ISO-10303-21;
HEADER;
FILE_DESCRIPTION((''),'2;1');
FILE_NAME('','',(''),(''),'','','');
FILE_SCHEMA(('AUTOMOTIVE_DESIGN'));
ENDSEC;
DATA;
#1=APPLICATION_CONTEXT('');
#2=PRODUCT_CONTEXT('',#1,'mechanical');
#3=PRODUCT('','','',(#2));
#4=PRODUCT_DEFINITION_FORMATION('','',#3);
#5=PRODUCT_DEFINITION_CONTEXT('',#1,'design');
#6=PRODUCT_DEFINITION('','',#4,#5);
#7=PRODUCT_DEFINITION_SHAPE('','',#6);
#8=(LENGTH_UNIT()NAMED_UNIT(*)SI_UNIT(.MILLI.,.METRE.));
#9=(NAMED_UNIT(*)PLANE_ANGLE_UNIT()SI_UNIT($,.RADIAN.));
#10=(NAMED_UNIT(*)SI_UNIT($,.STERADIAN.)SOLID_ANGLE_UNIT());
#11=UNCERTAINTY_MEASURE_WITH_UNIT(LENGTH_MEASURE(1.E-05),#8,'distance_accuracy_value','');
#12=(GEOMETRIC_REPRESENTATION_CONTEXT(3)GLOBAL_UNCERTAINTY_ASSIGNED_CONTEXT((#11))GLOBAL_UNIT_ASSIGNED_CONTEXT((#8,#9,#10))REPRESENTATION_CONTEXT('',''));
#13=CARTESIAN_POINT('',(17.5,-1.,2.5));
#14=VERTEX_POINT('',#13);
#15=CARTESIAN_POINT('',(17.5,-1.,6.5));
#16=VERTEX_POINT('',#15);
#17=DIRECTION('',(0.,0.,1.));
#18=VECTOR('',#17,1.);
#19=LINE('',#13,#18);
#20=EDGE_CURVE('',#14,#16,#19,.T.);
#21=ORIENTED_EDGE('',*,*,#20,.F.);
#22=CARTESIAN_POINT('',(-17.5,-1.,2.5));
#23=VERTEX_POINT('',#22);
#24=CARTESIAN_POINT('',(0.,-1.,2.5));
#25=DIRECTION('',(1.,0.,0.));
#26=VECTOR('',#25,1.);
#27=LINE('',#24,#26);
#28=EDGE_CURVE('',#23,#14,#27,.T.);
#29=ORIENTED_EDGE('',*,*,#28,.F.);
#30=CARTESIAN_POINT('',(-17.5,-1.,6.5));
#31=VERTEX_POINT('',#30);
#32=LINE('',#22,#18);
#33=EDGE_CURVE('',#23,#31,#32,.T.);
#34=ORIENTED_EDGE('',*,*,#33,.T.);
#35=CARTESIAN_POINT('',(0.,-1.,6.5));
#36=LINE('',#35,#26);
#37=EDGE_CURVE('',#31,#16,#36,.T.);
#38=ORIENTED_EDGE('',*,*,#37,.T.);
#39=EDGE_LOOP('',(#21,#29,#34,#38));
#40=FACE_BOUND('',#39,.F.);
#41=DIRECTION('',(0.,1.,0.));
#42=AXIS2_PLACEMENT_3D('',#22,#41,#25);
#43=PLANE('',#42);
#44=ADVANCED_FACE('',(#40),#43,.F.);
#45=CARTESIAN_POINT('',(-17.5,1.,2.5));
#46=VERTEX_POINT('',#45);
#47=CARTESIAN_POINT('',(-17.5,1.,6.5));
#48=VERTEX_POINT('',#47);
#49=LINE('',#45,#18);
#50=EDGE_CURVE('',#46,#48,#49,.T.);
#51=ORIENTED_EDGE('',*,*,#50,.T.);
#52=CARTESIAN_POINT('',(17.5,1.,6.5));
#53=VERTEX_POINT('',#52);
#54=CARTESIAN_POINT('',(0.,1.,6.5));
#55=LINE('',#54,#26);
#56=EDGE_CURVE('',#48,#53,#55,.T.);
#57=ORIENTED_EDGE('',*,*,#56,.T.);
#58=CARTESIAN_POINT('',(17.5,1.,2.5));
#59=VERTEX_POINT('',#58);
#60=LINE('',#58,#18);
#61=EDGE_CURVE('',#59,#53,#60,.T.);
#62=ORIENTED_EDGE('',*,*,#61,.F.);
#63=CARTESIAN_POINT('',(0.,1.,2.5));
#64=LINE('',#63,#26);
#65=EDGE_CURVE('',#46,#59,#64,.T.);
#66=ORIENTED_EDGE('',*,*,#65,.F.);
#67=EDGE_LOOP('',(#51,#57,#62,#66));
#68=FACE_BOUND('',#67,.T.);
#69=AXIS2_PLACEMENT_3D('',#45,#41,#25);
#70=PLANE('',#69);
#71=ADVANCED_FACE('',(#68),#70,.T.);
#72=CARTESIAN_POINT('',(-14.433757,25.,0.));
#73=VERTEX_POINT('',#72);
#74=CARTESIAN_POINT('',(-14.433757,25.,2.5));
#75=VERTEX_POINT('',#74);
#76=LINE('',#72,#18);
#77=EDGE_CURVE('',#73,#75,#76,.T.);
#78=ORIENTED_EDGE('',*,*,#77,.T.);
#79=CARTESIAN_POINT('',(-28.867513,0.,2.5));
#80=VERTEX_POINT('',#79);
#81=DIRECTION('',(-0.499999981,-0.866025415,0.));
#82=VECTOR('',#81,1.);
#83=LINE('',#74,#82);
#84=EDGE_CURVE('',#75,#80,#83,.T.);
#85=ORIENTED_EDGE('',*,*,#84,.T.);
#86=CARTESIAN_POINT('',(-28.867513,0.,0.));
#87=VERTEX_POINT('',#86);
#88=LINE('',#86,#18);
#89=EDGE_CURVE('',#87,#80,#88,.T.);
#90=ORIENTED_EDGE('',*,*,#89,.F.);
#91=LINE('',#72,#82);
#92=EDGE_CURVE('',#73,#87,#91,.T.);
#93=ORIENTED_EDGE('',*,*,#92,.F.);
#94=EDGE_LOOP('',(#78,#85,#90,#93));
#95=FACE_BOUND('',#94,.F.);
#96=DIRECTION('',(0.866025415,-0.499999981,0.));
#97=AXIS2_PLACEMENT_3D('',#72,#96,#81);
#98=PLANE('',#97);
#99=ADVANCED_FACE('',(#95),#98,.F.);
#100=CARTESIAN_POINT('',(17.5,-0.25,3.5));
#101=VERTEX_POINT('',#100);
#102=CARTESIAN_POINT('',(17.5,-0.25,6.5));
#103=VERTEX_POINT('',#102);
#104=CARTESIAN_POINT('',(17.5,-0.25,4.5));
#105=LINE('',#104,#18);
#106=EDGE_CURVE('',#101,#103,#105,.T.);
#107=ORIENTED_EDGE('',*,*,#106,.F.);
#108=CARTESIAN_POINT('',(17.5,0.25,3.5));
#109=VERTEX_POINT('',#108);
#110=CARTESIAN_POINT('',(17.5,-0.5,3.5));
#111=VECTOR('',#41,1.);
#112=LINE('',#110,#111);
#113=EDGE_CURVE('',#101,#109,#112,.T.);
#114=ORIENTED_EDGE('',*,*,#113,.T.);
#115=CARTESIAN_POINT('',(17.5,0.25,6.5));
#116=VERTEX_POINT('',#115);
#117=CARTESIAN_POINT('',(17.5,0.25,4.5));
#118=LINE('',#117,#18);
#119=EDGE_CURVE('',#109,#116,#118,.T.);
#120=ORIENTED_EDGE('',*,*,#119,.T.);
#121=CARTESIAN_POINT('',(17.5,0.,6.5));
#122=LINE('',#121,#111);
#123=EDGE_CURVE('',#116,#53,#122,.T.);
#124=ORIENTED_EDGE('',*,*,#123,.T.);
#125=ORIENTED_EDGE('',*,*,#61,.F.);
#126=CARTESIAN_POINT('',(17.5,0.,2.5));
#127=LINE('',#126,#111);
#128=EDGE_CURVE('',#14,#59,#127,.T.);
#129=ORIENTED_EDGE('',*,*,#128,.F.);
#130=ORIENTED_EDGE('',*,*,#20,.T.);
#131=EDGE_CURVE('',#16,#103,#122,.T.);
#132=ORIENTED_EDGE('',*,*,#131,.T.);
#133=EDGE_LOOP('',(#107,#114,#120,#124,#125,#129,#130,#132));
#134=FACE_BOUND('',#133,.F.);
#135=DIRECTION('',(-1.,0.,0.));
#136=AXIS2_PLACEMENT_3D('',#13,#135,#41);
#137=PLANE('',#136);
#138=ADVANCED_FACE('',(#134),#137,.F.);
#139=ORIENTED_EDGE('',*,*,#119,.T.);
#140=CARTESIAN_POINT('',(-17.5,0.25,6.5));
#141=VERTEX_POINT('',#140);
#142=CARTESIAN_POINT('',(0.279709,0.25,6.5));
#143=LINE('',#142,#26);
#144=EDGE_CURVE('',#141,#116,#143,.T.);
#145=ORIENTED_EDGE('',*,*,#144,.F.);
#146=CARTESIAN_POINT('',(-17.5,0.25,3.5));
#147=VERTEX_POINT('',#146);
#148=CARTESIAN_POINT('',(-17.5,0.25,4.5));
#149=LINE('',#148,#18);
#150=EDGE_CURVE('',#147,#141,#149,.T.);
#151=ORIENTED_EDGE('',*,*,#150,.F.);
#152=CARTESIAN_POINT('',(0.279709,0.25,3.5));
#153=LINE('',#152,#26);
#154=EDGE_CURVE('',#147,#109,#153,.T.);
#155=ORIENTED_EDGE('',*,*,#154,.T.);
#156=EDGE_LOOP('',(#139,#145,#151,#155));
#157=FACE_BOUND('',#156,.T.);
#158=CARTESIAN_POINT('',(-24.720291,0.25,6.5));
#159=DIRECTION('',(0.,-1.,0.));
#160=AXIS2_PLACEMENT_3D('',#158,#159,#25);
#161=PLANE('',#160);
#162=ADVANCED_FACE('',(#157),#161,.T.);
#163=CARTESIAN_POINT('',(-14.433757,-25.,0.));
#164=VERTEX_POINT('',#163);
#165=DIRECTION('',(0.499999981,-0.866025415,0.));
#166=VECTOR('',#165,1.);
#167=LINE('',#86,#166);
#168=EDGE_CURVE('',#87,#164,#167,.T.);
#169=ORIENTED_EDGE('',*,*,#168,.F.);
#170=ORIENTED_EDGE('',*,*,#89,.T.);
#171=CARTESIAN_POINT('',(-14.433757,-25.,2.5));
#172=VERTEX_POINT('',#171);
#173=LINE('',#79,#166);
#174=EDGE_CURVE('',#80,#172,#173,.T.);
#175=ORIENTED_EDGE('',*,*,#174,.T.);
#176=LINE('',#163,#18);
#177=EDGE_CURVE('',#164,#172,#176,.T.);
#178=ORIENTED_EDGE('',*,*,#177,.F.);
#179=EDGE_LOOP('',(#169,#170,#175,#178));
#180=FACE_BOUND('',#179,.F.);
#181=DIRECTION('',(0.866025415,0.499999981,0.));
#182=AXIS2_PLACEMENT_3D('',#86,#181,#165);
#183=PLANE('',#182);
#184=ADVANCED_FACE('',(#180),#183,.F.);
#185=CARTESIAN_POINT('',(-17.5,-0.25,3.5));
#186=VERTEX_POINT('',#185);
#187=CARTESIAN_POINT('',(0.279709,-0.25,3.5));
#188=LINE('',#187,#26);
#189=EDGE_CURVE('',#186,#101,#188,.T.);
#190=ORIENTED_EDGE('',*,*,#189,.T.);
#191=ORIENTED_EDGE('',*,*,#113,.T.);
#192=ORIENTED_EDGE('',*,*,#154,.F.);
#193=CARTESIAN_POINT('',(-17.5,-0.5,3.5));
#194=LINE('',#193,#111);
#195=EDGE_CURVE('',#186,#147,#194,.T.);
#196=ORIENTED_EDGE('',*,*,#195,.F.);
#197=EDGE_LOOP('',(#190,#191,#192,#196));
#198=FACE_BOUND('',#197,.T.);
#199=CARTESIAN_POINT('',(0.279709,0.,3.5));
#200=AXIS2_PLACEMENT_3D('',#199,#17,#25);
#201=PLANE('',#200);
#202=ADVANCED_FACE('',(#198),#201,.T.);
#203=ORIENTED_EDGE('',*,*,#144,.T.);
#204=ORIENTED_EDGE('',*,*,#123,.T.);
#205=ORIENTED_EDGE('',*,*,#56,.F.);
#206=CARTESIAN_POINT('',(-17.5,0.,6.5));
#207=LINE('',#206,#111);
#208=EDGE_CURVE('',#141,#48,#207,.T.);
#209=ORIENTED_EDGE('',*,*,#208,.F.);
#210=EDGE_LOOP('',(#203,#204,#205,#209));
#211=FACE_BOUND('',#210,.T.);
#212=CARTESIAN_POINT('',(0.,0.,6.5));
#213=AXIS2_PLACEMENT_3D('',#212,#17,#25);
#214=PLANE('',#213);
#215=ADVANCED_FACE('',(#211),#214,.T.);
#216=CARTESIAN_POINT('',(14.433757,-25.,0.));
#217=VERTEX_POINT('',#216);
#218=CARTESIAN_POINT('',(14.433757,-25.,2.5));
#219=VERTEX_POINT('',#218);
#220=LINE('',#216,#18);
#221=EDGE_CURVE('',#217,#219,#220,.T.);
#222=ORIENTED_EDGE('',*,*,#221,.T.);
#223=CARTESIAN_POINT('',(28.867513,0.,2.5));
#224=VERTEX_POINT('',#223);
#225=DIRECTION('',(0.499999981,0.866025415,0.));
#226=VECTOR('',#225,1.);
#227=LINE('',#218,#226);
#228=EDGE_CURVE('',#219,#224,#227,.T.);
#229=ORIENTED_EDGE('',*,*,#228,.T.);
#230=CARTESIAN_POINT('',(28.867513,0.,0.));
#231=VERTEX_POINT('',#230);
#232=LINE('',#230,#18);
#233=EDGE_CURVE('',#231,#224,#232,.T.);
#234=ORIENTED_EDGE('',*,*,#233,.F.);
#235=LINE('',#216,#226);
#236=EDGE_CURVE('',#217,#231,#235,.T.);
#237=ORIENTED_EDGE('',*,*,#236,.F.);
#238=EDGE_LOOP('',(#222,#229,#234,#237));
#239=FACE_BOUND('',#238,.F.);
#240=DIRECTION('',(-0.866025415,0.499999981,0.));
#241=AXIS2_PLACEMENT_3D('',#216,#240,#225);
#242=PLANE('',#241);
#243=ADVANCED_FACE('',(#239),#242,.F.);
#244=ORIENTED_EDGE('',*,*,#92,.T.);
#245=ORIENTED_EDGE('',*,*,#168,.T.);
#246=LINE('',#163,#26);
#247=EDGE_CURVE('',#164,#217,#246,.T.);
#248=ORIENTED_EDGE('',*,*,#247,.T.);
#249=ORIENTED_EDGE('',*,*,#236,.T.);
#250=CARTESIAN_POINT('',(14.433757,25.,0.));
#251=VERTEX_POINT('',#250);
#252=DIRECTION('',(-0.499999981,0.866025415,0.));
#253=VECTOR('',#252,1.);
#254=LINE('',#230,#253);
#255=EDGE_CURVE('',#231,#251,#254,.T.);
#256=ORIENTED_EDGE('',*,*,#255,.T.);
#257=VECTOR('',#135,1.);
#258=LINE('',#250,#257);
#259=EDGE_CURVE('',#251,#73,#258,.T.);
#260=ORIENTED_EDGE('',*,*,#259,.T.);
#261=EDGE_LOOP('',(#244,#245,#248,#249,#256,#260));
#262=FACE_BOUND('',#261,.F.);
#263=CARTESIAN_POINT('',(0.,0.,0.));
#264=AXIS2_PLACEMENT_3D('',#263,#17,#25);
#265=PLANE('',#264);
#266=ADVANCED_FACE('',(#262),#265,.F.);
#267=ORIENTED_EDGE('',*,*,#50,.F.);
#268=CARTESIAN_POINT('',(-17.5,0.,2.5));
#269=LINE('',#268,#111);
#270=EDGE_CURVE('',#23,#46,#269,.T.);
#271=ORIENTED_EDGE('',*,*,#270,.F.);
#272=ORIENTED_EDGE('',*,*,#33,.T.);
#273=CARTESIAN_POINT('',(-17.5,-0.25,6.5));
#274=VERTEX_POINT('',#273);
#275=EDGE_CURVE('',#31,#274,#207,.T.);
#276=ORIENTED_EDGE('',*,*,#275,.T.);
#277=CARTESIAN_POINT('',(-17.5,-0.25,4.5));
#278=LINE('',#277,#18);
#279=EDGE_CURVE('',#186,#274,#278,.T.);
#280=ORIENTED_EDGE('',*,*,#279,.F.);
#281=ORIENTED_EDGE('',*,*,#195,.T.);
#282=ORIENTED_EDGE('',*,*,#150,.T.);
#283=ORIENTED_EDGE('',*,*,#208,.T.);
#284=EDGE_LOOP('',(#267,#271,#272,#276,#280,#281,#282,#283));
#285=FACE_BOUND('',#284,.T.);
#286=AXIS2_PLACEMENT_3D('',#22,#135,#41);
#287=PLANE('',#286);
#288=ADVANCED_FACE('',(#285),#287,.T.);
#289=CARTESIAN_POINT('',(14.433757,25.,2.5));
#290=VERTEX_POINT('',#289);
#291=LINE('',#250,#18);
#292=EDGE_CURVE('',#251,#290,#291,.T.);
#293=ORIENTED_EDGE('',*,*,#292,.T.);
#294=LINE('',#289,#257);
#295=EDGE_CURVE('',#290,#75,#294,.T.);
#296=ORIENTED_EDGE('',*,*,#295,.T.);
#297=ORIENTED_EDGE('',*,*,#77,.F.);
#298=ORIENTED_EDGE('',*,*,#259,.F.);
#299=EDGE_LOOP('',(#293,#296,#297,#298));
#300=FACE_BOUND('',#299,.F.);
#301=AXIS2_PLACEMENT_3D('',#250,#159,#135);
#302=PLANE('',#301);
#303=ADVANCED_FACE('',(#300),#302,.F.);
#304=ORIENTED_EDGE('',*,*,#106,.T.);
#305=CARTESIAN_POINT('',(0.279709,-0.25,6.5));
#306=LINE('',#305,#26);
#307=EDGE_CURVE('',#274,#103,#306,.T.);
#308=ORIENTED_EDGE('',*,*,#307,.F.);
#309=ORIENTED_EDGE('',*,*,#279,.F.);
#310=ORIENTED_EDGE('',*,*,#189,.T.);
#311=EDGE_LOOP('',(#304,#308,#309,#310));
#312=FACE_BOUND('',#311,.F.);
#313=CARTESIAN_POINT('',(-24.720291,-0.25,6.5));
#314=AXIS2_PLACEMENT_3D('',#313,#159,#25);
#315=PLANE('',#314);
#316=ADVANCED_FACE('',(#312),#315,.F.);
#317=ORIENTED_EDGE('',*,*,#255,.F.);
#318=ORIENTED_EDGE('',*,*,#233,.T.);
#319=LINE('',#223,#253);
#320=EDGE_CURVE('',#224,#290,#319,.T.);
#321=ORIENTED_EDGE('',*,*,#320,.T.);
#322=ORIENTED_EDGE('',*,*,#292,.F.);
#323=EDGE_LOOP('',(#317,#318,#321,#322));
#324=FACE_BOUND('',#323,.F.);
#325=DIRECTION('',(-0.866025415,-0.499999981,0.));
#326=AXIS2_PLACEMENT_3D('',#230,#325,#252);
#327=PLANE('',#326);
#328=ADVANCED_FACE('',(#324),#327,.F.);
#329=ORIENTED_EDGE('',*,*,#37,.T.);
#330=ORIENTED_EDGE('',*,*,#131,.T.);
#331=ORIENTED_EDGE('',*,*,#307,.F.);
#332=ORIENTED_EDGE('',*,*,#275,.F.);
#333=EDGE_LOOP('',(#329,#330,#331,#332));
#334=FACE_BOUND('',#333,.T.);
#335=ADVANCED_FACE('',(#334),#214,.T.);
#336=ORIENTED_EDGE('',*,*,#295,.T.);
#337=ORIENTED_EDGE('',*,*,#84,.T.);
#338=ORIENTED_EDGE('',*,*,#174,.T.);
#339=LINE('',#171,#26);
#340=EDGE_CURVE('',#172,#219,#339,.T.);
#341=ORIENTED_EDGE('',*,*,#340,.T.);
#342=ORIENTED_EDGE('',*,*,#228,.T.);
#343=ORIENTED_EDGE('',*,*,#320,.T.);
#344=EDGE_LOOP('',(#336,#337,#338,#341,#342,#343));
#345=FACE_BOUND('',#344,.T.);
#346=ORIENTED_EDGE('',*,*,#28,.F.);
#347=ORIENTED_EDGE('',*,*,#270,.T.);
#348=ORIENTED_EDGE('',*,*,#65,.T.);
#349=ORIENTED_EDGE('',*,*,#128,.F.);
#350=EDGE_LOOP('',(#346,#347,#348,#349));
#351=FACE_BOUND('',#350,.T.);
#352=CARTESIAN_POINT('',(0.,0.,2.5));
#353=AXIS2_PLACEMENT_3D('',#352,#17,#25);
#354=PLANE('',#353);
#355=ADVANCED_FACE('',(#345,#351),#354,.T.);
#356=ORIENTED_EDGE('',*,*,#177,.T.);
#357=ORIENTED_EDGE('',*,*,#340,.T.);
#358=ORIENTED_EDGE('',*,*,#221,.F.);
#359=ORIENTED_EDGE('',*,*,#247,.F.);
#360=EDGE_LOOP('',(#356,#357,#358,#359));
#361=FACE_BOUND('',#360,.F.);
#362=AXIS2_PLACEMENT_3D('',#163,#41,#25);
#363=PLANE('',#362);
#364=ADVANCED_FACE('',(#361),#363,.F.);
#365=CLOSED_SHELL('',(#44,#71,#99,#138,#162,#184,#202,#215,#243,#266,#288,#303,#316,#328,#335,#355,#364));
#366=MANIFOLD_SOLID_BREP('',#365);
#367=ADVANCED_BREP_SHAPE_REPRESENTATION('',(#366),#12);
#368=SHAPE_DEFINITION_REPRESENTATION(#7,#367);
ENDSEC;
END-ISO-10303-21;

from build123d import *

# Parameters (mm, degrees)
F1_DEPTH = 2.5
F2_W     = 35
F2_H     = 2
F3_DEPTH = 4
F4_W     = 50
F4_H     = 0.5
F5_DEPTH = 3


with BuildPart() as f1:
    # F0 (on Top) → F1 (new body)
    with BuildSketch(Plane.XY):
        Polygon((-14.433757, -25), (14.433757, -25), (28.867513, 0), (14.433757, 25), (-14.433757, 25), (-28.867513, 0), align=None)
    extrude(amount=F1_DEPTH)

    # F2 (on face) → F3 (join)
    with BuildSketch(Plane.XY.offset(2.5)):
        Rectangle(F2_W, F2_H)
    extrude(amount=F3_DEPTH)

    # F4 (on face) → F5 (cut)
    with BuildSketch(Plane.XY.offset(6.5)):
        with Locations((0.279709, 0)):
            Rectangle(F4_W, F4_H)
    extrude(amount=-F5_DEPTH, mode=Mode.SUBTRACT)


solid = f1.part
